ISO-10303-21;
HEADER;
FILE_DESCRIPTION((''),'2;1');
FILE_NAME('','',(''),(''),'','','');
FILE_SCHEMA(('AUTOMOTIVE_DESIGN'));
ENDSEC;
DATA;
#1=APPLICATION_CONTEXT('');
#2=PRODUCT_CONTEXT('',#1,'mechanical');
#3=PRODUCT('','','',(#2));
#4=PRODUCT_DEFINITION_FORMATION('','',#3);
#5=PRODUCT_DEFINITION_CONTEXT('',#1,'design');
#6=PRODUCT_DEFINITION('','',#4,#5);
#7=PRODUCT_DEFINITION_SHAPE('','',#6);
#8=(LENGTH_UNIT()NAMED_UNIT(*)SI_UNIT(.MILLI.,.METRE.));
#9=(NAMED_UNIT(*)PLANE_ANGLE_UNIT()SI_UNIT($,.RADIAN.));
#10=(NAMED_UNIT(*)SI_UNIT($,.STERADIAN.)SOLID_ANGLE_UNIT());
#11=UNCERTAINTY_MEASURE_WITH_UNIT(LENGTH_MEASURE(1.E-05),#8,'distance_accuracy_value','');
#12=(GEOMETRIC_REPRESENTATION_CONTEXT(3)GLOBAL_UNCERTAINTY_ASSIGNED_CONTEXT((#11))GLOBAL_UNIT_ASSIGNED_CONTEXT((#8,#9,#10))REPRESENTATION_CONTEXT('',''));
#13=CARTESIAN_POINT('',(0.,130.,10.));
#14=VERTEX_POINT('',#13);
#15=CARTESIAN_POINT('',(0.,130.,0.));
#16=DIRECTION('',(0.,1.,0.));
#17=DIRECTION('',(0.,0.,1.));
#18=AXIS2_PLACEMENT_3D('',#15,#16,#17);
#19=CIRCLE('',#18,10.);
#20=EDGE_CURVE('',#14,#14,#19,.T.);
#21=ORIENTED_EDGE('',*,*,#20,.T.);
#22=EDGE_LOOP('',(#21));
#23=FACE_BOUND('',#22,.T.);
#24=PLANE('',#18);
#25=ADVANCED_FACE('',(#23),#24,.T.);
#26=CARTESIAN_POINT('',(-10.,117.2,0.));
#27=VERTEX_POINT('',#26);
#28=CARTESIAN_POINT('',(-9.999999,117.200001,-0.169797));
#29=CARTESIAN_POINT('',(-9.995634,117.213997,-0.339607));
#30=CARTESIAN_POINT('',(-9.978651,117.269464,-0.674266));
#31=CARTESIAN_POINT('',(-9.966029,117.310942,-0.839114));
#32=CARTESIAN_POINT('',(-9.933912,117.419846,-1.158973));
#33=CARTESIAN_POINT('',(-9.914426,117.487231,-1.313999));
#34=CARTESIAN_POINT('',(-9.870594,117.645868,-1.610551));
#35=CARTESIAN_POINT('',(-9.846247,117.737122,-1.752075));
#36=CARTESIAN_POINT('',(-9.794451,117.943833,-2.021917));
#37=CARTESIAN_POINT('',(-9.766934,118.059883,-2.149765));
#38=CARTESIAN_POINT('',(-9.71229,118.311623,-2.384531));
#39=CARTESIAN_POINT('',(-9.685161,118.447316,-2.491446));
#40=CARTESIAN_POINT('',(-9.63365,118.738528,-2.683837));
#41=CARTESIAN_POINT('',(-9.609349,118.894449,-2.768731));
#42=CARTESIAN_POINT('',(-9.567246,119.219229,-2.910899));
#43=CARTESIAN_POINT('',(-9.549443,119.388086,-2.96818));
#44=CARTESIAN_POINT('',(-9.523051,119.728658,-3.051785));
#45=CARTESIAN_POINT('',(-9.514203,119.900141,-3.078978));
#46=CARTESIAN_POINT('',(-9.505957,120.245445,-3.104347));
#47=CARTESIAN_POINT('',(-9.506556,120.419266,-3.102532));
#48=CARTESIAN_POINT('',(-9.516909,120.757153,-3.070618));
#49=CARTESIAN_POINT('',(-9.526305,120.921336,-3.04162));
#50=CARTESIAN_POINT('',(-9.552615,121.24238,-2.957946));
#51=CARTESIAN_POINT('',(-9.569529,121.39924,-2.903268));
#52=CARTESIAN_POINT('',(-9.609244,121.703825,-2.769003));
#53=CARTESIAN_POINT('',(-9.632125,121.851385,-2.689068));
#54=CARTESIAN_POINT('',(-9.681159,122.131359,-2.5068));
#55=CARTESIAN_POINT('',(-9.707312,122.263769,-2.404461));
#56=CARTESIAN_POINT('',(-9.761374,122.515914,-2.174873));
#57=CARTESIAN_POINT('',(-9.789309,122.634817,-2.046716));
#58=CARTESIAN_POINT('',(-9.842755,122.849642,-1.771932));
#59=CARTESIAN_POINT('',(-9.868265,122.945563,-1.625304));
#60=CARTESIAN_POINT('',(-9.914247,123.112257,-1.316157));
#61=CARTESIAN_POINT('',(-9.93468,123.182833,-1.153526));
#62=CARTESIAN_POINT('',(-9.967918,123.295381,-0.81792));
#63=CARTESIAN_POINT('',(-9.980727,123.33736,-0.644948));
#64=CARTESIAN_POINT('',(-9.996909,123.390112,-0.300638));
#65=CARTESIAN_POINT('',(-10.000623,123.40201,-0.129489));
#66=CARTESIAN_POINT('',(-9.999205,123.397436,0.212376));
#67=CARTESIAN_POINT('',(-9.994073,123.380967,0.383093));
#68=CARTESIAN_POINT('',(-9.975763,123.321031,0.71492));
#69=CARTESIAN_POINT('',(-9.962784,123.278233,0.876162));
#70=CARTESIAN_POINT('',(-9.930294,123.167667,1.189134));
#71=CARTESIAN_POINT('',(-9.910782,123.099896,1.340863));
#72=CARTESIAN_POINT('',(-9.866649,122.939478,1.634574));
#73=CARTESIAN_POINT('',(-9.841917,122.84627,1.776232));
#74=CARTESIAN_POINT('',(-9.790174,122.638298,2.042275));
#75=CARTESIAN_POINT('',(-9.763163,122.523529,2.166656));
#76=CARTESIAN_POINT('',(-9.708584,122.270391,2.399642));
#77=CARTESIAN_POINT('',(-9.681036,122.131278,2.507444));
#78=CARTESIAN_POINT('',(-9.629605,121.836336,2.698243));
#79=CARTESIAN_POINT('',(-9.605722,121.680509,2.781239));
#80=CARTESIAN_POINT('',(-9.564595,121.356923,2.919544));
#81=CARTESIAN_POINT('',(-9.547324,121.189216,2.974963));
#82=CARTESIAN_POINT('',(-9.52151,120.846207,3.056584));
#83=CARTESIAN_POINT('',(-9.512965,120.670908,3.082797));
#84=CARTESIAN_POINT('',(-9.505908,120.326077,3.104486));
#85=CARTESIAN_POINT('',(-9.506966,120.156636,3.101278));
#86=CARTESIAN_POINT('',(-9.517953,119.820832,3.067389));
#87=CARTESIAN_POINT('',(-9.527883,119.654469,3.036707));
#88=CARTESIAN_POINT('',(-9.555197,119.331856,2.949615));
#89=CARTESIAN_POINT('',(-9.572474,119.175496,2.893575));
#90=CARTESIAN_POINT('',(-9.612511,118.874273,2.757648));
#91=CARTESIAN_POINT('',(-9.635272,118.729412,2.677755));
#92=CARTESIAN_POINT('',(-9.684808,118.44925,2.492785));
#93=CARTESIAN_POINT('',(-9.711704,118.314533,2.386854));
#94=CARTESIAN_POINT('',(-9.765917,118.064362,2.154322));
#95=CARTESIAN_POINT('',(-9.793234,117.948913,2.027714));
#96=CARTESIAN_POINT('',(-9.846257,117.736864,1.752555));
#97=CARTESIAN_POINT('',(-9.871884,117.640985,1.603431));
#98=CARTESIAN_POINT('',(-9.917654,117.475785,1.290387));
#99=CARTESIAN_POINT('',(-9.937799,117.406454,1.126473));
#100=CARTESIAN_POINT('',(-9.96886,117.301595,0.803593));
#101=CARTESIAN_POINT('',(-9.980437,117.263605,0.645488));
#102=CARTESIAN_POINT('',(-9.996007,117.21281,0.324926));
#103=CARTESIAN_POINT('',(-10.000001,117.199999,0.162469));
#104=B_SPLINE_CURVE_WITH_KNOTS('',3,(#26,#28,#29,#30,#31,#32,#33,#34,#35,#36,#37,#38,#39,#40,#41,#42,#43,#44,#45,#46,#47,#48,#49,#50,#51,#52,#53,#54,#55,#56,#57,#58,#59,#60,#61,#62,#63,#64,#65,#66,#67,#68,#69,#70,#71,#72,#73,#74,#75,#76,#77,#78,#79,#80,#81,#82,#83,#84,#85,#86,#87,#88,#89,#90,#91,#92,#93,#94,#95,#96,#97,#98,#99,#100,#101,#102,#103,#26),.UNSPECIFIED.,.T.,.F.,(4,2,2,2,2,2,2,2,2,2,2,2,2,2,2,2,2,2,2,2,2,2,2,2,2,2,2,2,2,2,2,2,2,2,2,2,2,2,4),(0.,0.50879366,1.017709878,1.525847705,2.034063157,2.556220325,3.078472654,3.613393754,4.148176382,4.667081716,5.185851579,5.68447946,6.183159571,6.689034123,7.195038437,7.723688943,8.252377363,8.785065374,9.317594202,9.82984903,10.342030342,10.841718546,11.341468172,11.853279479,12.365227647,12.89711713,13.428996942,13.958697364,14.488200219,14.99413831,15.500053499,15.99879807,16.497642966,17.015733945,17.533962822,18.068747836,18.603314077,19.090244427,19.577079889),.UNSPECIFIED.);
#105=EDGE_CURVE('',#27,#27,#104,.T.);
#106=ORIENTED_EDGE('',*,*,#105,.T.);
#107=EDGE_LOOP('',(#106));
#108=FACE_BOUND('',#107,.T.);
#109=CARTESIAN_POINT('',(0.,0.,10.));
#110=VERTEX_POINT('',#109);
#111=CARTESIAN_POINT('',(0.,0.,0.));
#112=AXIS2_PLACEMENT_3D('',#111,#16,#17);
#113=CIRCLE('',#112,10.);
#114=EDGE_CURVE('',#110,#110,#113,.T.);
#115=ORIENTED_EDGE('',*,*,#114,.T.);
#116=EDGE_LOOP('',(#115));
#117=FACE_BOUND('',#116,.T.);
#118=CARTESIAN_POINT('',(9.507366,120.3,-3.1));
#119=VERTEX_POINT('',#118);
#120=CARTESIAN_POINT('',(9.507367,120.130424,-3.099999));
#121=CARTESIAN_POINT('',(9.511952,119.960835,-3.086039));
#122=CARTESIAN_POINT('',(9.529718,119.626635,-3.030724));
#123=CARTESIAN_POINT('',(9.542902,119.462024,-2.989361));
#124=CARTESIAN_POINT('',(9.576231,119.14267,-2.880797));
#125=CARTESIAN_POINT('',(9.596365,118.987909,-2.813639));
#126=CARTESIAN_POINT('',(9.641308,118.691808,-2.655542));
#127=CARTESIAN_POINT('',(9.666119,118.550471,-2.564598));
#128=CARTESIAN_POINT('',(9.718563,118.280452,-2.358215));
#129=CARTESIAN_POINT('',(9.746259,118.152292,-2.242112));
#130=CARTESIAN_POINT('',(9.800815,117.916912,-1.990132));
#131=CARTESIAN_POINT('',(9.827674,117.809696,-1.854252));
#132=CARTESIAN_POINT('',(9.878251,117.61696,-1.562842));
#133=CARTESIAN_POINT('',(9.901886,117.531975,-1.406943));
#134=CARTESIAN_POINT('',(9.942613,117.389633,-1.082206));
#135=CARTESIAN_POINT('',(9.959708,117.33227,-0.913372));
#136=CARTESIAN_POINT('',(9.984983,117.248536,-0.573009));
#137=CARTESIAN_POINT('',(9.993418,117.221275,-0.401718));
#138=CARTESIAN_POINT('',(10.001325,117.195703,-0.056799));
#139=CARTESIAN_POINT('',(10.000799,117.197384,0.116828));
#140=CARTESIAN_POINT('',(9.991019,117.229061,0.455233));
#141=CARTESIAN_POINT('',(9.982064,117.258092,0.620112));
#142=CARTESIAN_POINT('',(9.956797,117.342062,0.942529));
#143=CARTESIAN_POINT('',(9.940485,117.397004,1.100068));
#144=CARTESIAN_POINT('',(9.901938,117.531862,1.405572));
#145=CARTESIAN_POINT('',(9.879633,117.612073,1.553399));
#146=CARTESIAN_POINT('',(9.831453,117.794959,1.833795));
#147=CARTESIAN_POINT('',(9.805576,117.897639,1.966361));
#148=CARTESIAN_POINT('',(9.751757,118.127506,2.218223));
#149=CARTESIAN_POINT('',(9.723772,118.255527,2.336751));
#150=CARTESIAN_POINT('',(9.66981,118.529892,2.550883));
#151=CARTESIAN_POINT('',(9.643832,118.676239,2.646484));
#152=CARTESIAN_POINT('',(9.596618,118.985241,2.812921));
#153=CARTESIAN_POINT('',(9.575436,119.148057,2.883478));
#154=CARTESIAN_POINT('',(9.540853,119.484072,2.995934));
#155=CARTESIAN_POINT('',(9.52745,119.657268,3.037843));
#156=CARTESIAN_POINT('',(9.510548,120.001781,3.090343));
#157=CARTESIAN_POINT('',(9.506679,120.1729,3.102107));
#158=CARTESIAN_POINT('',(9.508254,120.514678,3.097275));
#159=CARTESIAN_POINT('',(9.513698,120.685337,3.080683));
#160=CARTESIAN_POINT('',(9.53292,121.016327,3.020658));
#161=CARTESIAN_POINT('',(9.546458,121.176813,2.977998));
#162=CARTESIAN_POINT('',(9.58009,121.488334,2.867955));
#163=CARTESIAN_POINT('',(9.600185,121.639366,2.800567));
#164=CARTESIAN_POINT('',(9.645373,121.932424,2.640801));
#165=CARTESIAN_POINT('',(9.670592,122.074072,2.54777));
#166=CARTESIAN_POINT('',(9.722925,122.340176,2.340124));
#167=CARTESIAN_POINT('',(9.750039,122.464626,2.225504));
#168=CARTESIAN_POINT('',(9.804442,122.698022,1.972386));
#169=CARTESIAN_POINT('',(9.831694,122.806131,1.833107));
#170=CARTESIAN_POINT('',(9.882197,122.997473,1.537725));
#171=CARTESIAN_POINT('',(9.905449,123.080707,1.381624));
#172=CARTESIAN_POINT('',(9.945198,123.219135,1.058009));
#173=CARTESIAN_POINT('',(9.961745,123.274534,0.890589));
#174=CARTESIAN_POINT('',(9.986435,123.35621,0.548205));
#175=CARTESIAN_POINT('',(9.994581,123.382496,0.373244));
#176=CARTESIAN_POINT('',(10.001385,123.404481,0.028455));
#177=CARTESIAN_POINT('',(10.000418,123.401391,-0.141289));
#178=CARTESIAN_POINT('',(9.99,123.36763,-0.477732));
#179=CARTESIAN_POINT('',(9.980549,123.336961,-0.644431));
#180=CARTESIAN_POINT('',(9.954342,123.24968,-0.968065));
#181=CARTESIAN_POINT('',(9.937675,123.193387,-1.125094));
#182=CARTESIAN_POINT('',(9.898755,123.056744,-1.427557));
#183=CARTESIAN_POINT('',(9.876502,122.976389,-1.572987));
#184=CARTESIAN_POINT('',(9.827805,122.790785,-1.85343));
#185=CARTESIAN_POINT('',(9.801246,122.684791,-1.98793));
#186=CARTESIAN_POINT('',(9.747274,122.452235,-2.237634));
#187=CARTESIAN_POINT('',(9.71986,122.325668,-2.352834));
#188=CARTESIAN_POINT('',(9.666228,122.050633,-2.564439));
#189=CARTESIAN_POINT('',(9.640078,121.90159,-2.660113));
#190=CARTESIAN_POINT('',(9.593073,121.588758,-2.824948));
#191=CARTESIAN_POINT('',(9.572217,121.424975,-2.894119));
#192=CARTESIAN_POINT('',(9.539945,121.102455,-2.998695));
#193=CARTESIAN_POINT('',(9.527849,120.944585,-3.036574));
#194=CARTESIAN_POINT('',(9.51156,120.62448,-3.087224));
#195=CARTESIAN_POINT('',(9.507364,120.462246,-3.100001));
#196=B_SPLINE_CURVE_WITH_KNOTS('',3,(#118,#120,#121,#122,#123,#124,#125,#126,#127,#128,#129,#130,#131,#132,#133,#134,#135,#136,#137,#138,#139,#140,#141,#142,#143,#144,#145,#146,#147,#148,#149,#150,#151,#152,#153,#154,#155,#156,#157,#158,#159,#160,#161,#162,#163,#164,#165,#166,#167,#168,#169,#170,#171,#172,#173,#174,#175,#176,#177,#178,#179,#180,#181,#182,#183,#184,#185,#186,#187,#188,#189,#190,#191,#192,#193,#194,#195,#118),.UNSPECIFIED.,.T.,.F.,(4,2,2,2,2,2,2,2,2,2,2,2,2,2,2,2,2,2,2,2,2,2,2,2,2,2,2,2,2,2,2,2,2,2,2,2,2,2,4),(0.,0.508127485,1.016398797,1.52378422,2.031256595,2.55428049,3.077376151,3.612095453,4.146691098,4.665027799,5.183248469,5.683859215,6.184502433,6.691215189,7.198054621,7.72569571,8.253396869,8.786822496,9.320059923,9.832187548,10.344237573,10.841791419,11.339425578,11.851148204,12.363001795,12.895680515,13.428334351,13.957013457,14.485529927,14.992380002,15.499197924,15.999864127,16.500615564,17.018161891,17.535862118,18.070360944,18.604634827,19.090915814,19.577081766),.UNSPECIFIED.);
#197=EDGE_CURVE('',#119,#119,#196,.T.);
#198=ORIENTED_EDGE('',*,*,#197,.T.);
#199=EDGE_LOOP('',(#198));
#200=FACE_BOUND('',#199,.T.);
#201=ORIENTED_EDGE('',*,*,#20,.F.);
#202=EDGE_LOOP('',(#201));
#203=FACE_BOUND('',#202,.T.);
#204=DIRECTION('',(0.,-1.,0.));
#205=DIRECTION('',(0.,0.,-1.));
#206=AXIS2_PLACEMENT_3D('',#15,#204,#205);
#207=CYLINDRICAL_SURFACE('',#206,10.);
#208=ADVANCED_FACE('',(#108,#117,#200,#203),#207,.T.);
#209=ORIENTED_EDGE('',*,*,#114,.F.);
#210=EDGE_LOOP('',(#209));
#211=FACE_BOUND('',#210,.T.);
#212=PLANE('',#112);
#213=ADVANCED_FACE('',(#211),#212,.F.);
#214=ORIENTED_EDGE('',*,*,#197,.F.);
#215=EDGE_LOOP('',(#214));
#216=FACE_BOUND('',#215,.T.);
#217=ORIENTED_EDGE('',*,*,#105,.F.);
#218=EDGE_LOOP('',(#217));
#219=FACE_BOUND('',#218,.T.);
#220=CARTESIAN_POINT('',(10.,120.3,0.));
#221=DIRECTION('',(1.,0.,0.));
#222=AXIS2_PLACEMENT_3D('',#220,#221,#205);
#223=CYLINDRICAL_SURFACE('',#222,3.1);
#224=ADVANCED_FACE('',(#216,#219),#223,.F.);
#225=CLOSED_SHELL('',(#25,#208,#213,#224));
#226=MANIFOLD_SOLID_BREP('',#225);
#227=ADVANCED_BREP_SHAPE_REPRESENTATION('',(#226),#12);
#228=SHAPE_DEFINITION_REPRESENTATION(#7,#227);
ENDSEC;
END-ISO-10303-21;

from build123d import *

# Parameters (mm, degrees)
SKETCH_1_R              = 10
EXTRUDE_1_DEPTH         = 130
HOLE_WIZARD_6_2_6_2_1_D = 6.2


with BuildPart() as part:
    # 草图1 → 凸台-拉伸1 (new body)
    with BuildSketch(Plane(origin=(0, 0, 0), x_dir=(1, 0, 0), z_dir=(0, 1, 0))):
        with Locations(Location((0, 0, 0), (0, 0, 270))):
            Circle(SKETCH_1_R)
    extrude(amount=EXTRUDE_1_DEPTH)

    # Ø6.2 (6.2) 直径孔1 (through all)
    with Locations(Plane(origin=(10, 120.3, 0), x_dir=(0, 0, 1), z_dir=(1, 0, 0))):
        with Locations((0, 0)):
            Hole(HOLE_WIZARD_6_2_6_2_1_D / 2)


solid = part.part
